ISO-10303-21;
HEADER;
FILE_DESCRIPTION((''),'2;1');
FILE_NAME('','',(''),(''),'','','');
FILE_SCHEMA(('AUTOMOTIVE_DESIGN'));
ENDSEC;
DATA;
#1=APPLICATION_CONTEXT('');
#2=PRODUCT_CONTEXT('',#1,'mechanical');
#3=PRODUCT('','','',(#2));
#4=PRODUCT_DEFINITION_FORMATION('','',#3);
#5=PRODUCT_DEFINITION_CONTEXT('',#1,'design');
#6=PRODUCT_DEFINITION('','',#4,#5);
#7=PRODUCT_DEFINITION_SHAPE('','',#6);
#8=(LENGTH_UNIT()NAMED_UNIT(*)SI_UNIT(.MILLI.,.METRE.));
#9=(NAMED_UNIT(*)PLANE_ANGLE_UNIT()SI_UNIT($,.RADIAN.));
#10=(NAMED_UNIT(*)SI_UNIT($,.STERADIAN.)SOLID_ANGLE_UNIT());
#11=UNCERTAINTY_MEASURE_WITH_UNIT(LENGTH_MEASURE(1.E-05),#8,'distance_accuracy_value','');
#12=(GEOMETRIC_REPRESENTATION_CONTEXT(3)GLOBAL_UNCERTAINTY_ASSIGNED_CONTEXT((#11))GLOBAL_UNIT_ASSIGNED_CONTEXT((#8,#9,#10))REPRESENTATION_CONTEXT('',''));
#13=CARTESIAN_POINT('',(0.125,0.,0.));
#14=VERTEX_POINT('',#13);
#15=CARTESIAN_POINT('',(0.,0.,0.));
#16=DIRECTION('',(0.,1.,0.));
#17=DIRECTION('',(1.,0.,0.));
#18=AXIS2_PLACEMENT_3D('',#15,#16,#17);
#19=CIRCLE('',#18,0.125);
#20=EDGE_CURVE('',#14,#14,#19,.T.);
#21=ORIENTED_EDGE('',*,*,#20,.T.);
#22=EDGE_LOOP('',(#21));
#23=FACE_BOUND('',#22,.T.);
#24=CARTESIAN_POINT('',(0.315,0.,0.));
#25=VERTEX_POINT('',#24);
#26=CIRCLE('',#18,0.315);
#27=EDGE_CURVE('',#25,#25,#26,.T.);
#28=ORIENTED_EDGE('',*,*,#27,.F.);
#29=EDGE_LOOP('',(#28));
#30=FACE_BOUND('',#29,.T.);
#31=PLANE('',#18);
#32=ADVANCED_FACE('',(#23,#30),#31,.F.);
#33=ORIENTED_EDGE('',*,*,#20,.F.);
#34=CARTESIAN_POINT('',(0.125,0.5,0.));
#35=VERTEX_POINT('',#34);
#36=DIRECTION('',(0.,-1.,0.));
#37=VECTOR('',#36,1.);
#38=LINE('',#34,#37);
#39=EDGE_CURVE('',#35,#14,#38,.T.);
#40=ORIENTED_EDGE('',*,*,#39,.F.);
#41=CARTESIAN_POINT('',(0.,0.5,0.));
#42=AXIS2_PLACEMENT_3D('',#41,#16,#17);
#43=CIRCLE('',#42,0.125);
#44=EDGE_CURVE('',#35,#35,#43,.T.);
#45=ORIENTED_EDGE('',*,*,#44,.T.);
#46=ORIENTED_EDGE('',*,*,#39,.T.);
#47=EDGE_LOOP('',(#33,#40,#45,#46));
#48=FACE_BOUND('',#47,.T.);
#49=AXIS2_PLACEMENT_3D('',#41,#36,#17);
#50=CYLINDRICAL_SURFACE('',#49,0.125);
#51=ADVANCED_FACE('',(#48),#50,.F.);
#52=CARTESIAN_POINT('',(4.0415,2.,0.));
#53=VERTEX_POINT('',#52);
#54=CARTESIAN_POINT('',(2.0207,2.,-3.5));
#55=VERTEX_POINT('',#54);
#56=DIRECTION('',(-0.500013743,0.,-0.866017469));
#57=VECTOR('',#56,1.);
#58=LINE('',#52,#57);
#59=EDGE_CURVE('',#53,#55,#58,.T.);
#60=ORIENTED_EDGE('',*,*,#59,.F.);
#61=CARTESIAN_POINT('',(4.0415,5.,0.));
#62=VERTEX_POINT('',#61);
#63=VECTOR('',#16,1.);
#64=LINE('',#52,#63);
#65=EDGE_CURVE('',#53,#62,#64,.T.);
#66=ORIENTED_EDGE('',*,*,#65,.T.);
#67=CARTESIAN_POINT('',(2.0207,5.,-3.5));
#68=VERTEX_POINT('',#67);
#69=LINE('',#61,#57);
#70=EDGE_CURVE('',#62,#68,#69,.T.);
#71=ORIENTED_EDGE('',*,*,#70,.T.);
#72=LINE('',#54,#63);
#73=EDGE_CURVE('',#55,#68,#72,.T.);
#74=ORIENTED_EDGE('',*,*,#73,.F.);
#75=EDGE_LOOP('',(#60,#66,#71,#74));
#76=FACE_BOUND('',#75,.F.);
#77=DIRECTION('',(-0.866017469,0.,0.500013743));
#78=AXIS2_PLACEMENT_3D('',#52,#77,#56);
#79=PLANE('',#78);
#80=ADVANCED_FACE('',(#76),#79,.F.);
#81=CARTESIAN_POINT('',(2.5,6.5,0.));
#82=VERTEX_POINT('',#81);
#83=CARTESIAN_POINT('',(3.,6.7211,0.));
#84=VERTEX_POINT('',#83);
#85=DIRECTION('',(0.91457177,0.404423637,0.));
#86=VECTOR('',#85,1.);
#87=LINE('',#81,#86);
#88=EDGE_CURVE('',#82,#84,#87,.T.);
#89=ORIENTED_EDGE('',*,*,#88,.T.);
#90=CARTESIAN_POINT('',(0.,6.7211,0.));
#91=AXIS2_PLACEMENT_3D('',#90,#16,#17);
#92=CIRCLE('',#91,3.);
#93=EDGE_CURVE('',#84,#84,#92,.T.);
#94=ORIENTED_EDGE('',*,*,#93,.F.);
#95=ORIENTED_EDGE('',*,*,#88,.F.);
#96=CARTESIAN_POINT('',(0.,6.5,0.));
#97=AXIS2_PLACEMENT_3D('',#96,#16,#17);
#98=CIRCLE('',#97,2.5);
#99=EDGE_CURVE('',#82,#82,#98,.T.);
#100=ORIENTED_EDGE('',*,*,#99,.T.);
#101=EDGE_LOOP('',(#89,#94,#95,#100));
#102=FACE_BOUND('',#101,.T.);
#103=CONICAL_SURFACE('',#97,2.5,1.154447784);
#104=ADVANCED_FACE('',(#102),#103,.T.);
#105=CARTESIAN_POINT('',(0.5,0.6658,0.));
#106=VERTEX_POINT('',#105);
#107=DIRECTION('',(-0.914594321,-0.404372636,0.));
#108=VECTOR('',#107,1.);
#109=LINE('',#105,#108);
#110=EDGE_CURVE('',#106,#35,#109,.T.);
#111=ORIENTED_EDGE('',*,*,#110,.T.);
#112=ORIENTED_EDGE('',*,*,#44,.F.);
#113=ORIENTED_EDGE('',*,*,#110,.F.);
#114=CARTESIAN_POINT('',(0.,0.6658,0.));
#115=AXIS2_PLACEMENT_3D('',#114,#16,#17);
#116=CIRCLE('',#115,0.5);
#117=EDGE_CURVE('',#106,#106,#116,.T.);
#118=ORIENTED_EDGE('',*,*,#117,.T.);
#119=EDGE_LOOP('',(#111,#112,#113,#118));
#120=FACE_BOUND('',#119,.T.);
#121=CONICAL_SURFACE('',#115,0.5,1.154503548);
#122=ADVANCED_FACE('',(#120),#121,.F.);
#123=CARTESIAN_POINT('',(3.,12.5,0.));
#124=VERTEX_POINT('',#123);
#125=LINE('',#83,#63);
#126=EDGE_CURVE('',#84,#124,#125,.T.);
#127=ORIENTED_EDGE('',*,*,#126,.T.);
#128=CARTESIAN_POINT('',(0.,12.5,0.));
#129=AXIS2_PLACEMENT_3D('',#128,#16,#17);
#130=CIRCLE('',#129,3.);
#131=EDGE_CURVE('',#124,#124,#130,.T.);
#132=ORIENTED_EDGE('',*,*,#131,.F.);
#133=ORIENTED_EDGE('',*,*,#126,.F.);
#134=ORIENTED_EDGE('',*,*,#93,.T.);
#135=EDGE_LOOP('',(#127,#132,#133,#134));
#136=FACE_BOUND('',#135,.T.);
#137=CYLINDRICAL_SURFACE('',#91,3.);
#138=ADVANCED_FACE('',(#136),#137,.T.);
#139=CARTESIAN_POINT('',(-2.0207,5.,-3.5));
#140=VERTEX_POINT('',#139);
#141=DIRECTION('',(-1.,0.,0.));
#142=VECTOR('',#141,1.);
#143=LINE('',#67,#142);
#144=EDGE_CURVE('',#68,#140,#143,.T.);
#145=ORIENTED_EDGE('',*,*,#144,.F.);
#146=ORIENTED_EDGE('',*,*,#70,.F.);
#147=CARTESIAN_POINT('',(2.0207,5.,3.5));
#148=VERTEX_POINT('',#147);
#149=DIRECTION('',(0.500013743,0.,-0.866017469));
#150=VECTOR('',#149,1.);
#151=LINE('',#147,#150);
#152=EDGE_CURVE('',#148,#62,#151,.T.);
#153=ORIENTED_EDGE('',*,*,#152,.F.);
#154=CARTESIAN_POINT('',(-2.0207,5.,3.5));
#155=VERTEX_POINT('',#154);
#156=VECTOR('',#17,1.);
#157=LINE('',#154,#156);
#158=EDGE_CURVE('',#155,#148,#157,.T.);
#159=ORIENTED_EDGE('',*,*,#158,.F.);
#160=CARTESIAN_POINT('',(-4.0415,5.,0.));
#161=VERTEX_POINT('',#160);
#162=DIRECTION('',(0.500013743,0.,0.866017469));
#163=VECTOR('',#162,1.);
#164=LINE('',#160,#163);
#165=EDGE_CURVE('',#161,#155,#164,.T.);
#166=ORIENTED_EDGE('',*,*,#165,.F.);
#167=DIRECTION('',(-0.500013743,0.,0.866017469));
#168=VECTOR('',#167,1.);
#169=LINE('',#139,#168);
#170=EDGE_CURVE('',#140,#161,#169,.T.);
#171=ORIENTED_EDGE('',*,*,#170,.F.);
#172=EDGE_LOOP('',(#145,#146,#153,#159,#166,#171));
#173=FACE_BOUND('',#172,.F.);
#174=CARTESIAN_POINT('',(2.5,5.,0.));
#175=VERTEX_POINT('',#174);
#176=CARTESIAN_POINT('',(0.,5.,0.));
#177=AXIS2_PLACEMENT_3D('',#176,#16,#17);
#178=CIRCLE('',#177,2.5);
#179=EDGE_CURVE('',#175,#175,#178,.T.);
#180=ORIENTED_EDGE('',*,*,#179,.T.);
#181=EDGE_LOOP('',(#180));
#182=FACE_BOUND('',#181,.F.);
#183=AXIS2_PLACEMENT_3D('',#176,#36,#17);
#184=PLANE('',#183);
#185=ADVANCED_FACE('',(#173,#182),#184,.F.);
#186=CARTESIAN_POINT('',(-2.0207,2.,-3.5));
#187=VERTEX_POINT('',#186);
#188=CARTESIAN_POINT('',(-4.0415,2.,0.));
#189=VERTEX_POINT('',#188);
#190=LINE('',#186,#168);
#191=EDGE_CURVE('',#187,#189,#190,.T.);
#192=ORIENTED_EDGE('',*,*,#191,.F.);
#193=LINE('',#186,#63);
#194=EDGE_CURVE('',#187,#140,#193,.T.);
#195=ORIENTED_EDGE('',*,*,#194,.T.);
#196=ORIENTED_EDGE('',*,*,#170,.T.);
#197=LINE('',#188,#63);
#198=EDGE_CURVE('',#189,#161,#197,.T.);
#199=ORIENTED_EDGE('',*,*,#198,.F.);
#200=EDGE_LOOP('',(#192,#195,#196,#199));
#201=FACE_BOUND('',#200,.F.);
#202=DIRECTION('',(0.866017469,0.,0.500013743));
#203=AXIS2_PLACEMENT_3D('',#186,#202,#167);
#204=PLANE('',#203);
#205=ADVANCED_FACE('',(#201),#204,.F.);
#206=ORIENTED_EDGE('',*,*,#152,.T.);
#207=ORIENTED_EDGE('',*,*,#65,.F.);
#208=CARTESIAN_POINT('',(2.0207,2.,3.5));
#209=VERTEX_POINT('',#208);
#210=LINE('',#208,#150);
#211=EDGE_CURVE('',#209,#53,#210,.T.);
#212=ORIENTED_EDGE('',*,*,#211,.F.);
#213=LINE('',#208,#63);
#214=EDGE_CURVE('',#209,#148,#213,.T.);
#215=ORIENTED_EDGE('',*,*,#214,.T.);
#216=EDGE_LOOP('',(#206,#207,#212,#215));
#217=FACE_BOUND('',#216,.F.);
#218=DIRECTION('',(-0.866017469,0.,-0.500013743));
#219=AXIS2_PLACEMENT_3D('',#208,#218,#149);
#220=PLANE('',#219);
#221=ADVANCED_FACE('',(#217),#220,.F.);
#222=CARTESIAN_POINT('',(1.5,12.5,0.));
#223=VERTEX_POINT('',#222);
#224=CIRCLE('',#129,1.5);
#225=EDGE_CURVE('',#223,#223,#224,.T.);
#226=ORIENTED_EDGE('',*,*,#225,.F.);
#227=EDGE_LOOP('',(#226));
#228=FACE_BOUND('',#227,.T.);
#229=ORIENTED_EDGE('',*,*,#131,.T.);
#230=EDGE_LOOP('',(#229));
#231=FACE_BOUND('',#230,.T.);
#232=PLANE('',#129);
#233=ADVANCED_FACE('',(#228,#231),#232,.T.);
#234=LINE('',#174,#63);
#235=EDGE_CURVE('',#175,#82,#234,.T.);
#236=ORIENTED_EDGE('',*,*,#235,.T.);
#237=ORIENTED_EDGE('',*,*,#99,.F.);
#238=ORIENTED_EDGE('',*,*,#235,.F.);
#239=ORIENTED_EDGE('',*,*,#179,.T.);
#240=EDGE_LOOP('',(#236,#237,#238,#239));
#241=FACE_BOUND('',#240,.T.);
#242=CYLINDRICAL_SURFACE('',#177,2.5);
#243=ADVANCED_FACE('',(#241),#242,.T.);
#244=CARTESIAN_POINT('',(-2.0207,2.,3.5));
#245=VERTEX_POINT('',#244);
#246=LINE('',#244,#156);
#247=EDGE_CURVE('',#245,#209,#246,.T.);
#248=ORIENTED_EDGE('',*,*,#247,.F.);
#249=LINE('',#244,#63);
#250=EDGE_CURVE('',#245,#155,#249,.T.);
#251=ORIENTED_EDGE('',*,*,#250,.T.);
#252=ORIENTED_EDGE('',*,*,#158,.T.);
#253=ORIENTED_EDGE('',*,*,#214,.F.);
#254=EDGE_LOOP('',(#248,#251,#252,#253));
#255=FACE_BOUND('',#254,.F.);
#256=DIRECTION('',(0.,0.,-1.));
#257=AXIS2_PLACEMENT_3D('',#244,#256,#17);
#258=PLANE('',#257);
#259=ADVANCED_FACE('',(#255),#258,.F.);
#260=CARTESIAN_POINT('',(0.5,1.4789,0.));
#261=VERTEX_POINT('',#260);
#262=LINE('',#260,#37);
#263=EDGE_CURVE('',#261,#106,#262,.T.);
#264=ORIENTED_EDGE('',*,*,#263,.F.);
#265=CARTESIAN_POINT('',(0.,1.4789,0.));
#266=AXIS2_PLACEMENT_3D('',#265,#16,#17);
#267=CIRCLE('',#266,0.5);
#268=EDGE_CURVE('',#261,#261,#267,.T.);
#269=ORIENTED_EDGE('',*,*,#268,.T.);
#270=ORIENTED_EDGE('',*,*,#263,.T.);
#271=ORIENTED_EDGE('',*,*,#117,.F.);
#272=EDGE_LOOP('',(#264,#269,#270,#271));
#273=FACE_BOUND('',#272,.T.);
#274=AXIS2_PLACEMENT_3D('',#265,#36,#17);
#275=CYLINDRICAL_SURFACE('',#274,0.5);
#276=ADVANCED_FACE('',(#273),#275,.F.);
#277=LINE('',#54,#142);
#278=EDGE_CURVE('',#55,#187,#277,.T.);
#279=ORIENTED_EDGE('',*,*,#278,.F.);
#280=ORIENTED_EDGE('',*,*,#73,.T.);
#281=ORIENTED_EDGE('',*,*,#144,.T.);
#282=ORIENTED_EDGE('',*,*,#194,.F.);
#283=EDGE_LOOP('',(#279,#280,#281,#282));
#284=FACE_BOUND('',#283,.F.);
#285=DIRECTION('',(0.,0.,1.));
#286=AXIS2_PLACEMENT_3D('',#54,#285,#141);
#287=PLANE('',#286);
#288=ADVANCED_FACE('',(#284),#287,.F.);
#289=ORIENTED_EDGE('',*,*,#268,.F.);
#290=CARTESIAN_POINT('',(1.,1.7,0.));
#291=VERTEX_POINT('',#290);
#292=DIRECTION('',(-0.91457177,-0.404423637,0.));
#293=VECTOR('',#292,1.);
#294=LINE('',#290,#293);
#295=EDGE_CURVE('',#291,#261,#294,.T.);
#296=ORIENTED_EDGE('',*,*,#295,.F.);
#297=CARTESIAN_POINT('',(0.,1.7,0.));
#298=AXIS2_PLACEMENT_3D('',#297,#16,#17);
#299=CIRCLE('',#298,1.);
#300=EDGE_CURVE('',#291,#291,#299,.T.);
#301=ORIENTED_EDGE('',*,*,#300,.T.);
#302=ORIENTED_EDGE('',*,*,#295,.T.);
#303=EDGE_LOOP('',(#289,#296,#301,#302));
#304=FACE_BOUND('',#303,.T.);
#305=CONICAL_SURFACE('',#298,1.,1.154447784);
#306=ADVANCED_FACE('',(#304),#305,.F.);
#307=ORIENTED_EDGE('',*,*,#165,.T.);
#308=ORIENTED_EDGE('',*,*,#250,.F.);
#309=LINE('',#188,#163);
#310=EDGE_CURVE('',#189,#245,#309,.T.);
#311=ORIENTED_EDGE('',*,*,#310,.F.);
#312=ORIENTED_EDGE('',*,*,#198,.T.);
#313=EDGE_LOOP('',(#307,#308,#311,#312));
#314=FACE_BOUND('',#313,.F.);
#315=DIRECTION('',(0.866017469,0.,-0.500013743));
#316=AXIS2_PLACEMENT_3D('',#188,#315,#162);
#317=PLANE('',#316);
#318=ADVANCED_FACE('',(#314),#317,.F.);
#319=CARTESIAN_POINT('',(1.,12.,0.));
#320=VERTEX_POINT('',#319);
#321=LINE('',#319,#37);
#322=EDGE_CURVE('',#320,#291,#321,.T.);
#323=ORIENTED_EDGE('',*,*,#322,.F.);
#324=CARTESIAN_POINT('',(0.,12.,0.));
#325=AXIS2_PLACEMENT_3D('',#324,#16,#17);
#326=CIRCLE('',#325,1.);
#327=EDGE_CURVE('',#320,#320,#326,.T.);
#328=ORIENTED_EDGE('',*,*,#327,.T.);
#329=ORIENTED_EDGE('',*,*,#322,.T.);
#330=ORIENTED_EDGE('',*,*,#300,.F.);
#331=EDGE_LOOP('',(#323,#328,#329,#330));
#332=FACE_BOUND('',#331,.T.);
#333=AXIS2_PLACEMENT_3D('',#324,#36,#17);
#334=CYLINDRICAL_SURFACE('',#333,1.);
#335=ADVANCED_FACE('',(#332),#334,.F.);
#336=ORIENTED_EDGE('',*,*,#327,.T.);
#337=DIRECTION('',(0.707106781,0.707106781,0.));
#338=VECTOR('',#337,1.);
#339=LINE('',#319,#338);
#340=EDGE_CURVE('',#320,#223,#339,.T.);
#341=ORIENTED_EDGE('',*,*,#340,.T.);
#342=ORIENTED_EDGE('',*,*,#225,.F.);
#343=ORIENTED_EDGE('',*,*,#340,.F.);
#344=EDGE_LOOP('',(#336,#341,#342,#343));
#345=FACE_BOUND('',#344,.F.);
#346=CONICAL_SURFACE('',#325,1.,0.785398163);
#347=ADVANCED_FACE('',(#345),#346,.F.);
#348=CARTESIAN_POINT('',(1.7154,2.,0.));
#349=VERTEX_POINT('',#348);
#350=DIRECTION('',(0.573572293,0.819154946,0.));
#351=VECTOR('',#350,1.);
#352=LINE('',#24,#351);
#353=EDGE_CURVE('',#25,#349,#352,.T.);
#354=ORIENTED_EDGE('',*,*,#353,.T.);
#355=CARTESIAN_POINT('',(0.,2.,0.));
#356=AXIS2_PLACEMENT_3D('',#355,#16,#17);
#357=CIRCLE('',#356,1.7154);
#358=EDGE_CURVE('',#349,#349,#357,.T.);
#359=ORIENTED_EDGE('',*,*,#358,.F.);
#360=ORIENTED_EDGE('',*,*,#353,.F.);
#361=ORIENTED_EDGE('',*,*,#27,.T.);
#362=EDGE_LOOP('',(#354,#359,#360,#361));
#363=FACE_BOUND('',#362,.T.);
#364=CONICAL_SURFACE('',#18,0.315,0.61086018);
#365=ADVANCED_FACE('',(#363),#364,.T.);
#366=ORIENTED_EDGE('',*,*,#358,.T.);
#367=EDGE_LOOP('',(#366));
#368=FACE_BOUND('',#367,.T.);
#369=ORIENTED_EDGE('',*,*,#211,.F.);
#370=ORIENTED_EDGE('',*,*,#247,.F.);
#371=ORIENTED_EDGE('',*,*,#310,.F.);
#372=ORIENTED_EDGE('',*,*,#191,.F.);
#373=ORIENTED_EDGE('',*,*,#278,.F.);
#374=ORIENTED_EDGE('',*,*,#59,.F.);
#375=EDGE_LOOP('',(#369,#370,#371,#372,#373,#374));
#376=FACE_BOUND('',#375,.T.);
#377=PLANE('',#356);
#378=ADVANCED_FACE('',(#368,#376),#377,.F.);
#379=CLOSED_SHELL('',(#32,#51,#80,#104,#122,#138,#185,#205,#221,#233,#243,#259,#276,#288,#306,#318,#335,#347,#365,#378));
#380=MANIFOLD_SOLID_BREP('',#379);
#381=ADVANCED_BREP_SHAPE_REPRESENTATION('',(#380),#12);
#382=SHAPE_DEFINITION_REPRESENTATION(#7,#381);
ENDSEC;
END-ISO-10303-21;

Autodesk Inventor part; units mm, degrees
ref_plane "YZ Plane" through (0, 0, 0) normal (1, 0, 0) x (0, 1, 0)
ref_plane "XZ Plane" through (0, 0, 0) normal (0, 1, 0) x (-1, 0, 0)
ref_plane "XY Plane" through (0, 0, 0) normal (0, 0, 1) x (1, 0, 0)
sketch "Sketch1" plane through (0, 0, 0) normal (0, 0, 1) x (1, 0, 0)
  line L0 (0, 0) -> (0, 12.5)
  line L1 (0.125, 0) -> (0.315, 0)
  line L2 (0.315, 0) -> (1.7154, 2)
  line L3 (1.7154, 2) -> (3.1378, 2)
  line L4 (3.1378, 2) -> (3.1378, 5)
  line L5 (3.1378, 5) -> (2.5, 5)
  line L6 (2.5, 5) -> (2.5, 6.5)
  line L7 (2.5, 6.5) -> (3, 6.7211)
  line L8 (3, 6.7211) -> (3, 12.5)
  line L9 (3, 12.5) -> (1.5, 12.5)
  line L10 (1, 12) -> (1, 1.7)
  line L11 (1, 1.7) -> (0.5, 1.4789)
  line L12 (0.5, 1.4789) -> (0.5, 0.6658)
  line L13 (0.5, 0.6658) -> (0.125, 0.5)
  line L14 (0.125, 0.5) -> (0.125, 0)
  line L15 (1, 12) -> (1.5, 12.5)
  dimension "d0" = 0.25
  dimension "d1" = 0.63
  dimension "d2" = 1
  dimension "d3" = 0.5
  dimension "d4" = 10.8
  dimension "d5" = 2
  dimension "d6" = 12.5
  dimension "d7" = 125
  dimension "d8" = 10.5
  dimension "d9" = 7.5
  dimension "d10" = 6
  dimension "d11" = 6
  dimension "d12" = 5
  dimension "d13" = 45
  dimension "d14" = 3
revolve "Revolution1" add sketch "Sketch1" angle 360 about axis through (0, 0, 0) along (0, 1, 0)
sketch "Sketch2" plane through (0, 2, 0) normal (0, -1, 0) x (1, 0, 0)
  circle A0 centre (0, 0) radius 3.1378 projected
  circle A1 centre (0, 0) radius 1.7154 projected
  line L0 (2.0207, 3.5) -> (4.0415, 0)
  line L1 (4.0415, 0) -> (2.0207, -3.5)
  line L2 (2.0207, -3.5) -> (-2.0207, -3.5)
  line L3 (-2.0207, -3.5) -> (-4.0415, 0)
  line L4 (-4.0415, 0) -> (-2.0207, 3.5)
  line L5 (-2.0207, 3.5) -> (2.0207, 3.5)
  dimension "d18" = 7
extrude "Extrusion1" add sketch "Sketch2" against normal blind 3 contours L0 L1 L2 L3 L4 L5
thread "Thread1" size "M6x1" class "6g" standard "ANSI Metric M Profile" full length
properties part number "E3D_Nozzle"
